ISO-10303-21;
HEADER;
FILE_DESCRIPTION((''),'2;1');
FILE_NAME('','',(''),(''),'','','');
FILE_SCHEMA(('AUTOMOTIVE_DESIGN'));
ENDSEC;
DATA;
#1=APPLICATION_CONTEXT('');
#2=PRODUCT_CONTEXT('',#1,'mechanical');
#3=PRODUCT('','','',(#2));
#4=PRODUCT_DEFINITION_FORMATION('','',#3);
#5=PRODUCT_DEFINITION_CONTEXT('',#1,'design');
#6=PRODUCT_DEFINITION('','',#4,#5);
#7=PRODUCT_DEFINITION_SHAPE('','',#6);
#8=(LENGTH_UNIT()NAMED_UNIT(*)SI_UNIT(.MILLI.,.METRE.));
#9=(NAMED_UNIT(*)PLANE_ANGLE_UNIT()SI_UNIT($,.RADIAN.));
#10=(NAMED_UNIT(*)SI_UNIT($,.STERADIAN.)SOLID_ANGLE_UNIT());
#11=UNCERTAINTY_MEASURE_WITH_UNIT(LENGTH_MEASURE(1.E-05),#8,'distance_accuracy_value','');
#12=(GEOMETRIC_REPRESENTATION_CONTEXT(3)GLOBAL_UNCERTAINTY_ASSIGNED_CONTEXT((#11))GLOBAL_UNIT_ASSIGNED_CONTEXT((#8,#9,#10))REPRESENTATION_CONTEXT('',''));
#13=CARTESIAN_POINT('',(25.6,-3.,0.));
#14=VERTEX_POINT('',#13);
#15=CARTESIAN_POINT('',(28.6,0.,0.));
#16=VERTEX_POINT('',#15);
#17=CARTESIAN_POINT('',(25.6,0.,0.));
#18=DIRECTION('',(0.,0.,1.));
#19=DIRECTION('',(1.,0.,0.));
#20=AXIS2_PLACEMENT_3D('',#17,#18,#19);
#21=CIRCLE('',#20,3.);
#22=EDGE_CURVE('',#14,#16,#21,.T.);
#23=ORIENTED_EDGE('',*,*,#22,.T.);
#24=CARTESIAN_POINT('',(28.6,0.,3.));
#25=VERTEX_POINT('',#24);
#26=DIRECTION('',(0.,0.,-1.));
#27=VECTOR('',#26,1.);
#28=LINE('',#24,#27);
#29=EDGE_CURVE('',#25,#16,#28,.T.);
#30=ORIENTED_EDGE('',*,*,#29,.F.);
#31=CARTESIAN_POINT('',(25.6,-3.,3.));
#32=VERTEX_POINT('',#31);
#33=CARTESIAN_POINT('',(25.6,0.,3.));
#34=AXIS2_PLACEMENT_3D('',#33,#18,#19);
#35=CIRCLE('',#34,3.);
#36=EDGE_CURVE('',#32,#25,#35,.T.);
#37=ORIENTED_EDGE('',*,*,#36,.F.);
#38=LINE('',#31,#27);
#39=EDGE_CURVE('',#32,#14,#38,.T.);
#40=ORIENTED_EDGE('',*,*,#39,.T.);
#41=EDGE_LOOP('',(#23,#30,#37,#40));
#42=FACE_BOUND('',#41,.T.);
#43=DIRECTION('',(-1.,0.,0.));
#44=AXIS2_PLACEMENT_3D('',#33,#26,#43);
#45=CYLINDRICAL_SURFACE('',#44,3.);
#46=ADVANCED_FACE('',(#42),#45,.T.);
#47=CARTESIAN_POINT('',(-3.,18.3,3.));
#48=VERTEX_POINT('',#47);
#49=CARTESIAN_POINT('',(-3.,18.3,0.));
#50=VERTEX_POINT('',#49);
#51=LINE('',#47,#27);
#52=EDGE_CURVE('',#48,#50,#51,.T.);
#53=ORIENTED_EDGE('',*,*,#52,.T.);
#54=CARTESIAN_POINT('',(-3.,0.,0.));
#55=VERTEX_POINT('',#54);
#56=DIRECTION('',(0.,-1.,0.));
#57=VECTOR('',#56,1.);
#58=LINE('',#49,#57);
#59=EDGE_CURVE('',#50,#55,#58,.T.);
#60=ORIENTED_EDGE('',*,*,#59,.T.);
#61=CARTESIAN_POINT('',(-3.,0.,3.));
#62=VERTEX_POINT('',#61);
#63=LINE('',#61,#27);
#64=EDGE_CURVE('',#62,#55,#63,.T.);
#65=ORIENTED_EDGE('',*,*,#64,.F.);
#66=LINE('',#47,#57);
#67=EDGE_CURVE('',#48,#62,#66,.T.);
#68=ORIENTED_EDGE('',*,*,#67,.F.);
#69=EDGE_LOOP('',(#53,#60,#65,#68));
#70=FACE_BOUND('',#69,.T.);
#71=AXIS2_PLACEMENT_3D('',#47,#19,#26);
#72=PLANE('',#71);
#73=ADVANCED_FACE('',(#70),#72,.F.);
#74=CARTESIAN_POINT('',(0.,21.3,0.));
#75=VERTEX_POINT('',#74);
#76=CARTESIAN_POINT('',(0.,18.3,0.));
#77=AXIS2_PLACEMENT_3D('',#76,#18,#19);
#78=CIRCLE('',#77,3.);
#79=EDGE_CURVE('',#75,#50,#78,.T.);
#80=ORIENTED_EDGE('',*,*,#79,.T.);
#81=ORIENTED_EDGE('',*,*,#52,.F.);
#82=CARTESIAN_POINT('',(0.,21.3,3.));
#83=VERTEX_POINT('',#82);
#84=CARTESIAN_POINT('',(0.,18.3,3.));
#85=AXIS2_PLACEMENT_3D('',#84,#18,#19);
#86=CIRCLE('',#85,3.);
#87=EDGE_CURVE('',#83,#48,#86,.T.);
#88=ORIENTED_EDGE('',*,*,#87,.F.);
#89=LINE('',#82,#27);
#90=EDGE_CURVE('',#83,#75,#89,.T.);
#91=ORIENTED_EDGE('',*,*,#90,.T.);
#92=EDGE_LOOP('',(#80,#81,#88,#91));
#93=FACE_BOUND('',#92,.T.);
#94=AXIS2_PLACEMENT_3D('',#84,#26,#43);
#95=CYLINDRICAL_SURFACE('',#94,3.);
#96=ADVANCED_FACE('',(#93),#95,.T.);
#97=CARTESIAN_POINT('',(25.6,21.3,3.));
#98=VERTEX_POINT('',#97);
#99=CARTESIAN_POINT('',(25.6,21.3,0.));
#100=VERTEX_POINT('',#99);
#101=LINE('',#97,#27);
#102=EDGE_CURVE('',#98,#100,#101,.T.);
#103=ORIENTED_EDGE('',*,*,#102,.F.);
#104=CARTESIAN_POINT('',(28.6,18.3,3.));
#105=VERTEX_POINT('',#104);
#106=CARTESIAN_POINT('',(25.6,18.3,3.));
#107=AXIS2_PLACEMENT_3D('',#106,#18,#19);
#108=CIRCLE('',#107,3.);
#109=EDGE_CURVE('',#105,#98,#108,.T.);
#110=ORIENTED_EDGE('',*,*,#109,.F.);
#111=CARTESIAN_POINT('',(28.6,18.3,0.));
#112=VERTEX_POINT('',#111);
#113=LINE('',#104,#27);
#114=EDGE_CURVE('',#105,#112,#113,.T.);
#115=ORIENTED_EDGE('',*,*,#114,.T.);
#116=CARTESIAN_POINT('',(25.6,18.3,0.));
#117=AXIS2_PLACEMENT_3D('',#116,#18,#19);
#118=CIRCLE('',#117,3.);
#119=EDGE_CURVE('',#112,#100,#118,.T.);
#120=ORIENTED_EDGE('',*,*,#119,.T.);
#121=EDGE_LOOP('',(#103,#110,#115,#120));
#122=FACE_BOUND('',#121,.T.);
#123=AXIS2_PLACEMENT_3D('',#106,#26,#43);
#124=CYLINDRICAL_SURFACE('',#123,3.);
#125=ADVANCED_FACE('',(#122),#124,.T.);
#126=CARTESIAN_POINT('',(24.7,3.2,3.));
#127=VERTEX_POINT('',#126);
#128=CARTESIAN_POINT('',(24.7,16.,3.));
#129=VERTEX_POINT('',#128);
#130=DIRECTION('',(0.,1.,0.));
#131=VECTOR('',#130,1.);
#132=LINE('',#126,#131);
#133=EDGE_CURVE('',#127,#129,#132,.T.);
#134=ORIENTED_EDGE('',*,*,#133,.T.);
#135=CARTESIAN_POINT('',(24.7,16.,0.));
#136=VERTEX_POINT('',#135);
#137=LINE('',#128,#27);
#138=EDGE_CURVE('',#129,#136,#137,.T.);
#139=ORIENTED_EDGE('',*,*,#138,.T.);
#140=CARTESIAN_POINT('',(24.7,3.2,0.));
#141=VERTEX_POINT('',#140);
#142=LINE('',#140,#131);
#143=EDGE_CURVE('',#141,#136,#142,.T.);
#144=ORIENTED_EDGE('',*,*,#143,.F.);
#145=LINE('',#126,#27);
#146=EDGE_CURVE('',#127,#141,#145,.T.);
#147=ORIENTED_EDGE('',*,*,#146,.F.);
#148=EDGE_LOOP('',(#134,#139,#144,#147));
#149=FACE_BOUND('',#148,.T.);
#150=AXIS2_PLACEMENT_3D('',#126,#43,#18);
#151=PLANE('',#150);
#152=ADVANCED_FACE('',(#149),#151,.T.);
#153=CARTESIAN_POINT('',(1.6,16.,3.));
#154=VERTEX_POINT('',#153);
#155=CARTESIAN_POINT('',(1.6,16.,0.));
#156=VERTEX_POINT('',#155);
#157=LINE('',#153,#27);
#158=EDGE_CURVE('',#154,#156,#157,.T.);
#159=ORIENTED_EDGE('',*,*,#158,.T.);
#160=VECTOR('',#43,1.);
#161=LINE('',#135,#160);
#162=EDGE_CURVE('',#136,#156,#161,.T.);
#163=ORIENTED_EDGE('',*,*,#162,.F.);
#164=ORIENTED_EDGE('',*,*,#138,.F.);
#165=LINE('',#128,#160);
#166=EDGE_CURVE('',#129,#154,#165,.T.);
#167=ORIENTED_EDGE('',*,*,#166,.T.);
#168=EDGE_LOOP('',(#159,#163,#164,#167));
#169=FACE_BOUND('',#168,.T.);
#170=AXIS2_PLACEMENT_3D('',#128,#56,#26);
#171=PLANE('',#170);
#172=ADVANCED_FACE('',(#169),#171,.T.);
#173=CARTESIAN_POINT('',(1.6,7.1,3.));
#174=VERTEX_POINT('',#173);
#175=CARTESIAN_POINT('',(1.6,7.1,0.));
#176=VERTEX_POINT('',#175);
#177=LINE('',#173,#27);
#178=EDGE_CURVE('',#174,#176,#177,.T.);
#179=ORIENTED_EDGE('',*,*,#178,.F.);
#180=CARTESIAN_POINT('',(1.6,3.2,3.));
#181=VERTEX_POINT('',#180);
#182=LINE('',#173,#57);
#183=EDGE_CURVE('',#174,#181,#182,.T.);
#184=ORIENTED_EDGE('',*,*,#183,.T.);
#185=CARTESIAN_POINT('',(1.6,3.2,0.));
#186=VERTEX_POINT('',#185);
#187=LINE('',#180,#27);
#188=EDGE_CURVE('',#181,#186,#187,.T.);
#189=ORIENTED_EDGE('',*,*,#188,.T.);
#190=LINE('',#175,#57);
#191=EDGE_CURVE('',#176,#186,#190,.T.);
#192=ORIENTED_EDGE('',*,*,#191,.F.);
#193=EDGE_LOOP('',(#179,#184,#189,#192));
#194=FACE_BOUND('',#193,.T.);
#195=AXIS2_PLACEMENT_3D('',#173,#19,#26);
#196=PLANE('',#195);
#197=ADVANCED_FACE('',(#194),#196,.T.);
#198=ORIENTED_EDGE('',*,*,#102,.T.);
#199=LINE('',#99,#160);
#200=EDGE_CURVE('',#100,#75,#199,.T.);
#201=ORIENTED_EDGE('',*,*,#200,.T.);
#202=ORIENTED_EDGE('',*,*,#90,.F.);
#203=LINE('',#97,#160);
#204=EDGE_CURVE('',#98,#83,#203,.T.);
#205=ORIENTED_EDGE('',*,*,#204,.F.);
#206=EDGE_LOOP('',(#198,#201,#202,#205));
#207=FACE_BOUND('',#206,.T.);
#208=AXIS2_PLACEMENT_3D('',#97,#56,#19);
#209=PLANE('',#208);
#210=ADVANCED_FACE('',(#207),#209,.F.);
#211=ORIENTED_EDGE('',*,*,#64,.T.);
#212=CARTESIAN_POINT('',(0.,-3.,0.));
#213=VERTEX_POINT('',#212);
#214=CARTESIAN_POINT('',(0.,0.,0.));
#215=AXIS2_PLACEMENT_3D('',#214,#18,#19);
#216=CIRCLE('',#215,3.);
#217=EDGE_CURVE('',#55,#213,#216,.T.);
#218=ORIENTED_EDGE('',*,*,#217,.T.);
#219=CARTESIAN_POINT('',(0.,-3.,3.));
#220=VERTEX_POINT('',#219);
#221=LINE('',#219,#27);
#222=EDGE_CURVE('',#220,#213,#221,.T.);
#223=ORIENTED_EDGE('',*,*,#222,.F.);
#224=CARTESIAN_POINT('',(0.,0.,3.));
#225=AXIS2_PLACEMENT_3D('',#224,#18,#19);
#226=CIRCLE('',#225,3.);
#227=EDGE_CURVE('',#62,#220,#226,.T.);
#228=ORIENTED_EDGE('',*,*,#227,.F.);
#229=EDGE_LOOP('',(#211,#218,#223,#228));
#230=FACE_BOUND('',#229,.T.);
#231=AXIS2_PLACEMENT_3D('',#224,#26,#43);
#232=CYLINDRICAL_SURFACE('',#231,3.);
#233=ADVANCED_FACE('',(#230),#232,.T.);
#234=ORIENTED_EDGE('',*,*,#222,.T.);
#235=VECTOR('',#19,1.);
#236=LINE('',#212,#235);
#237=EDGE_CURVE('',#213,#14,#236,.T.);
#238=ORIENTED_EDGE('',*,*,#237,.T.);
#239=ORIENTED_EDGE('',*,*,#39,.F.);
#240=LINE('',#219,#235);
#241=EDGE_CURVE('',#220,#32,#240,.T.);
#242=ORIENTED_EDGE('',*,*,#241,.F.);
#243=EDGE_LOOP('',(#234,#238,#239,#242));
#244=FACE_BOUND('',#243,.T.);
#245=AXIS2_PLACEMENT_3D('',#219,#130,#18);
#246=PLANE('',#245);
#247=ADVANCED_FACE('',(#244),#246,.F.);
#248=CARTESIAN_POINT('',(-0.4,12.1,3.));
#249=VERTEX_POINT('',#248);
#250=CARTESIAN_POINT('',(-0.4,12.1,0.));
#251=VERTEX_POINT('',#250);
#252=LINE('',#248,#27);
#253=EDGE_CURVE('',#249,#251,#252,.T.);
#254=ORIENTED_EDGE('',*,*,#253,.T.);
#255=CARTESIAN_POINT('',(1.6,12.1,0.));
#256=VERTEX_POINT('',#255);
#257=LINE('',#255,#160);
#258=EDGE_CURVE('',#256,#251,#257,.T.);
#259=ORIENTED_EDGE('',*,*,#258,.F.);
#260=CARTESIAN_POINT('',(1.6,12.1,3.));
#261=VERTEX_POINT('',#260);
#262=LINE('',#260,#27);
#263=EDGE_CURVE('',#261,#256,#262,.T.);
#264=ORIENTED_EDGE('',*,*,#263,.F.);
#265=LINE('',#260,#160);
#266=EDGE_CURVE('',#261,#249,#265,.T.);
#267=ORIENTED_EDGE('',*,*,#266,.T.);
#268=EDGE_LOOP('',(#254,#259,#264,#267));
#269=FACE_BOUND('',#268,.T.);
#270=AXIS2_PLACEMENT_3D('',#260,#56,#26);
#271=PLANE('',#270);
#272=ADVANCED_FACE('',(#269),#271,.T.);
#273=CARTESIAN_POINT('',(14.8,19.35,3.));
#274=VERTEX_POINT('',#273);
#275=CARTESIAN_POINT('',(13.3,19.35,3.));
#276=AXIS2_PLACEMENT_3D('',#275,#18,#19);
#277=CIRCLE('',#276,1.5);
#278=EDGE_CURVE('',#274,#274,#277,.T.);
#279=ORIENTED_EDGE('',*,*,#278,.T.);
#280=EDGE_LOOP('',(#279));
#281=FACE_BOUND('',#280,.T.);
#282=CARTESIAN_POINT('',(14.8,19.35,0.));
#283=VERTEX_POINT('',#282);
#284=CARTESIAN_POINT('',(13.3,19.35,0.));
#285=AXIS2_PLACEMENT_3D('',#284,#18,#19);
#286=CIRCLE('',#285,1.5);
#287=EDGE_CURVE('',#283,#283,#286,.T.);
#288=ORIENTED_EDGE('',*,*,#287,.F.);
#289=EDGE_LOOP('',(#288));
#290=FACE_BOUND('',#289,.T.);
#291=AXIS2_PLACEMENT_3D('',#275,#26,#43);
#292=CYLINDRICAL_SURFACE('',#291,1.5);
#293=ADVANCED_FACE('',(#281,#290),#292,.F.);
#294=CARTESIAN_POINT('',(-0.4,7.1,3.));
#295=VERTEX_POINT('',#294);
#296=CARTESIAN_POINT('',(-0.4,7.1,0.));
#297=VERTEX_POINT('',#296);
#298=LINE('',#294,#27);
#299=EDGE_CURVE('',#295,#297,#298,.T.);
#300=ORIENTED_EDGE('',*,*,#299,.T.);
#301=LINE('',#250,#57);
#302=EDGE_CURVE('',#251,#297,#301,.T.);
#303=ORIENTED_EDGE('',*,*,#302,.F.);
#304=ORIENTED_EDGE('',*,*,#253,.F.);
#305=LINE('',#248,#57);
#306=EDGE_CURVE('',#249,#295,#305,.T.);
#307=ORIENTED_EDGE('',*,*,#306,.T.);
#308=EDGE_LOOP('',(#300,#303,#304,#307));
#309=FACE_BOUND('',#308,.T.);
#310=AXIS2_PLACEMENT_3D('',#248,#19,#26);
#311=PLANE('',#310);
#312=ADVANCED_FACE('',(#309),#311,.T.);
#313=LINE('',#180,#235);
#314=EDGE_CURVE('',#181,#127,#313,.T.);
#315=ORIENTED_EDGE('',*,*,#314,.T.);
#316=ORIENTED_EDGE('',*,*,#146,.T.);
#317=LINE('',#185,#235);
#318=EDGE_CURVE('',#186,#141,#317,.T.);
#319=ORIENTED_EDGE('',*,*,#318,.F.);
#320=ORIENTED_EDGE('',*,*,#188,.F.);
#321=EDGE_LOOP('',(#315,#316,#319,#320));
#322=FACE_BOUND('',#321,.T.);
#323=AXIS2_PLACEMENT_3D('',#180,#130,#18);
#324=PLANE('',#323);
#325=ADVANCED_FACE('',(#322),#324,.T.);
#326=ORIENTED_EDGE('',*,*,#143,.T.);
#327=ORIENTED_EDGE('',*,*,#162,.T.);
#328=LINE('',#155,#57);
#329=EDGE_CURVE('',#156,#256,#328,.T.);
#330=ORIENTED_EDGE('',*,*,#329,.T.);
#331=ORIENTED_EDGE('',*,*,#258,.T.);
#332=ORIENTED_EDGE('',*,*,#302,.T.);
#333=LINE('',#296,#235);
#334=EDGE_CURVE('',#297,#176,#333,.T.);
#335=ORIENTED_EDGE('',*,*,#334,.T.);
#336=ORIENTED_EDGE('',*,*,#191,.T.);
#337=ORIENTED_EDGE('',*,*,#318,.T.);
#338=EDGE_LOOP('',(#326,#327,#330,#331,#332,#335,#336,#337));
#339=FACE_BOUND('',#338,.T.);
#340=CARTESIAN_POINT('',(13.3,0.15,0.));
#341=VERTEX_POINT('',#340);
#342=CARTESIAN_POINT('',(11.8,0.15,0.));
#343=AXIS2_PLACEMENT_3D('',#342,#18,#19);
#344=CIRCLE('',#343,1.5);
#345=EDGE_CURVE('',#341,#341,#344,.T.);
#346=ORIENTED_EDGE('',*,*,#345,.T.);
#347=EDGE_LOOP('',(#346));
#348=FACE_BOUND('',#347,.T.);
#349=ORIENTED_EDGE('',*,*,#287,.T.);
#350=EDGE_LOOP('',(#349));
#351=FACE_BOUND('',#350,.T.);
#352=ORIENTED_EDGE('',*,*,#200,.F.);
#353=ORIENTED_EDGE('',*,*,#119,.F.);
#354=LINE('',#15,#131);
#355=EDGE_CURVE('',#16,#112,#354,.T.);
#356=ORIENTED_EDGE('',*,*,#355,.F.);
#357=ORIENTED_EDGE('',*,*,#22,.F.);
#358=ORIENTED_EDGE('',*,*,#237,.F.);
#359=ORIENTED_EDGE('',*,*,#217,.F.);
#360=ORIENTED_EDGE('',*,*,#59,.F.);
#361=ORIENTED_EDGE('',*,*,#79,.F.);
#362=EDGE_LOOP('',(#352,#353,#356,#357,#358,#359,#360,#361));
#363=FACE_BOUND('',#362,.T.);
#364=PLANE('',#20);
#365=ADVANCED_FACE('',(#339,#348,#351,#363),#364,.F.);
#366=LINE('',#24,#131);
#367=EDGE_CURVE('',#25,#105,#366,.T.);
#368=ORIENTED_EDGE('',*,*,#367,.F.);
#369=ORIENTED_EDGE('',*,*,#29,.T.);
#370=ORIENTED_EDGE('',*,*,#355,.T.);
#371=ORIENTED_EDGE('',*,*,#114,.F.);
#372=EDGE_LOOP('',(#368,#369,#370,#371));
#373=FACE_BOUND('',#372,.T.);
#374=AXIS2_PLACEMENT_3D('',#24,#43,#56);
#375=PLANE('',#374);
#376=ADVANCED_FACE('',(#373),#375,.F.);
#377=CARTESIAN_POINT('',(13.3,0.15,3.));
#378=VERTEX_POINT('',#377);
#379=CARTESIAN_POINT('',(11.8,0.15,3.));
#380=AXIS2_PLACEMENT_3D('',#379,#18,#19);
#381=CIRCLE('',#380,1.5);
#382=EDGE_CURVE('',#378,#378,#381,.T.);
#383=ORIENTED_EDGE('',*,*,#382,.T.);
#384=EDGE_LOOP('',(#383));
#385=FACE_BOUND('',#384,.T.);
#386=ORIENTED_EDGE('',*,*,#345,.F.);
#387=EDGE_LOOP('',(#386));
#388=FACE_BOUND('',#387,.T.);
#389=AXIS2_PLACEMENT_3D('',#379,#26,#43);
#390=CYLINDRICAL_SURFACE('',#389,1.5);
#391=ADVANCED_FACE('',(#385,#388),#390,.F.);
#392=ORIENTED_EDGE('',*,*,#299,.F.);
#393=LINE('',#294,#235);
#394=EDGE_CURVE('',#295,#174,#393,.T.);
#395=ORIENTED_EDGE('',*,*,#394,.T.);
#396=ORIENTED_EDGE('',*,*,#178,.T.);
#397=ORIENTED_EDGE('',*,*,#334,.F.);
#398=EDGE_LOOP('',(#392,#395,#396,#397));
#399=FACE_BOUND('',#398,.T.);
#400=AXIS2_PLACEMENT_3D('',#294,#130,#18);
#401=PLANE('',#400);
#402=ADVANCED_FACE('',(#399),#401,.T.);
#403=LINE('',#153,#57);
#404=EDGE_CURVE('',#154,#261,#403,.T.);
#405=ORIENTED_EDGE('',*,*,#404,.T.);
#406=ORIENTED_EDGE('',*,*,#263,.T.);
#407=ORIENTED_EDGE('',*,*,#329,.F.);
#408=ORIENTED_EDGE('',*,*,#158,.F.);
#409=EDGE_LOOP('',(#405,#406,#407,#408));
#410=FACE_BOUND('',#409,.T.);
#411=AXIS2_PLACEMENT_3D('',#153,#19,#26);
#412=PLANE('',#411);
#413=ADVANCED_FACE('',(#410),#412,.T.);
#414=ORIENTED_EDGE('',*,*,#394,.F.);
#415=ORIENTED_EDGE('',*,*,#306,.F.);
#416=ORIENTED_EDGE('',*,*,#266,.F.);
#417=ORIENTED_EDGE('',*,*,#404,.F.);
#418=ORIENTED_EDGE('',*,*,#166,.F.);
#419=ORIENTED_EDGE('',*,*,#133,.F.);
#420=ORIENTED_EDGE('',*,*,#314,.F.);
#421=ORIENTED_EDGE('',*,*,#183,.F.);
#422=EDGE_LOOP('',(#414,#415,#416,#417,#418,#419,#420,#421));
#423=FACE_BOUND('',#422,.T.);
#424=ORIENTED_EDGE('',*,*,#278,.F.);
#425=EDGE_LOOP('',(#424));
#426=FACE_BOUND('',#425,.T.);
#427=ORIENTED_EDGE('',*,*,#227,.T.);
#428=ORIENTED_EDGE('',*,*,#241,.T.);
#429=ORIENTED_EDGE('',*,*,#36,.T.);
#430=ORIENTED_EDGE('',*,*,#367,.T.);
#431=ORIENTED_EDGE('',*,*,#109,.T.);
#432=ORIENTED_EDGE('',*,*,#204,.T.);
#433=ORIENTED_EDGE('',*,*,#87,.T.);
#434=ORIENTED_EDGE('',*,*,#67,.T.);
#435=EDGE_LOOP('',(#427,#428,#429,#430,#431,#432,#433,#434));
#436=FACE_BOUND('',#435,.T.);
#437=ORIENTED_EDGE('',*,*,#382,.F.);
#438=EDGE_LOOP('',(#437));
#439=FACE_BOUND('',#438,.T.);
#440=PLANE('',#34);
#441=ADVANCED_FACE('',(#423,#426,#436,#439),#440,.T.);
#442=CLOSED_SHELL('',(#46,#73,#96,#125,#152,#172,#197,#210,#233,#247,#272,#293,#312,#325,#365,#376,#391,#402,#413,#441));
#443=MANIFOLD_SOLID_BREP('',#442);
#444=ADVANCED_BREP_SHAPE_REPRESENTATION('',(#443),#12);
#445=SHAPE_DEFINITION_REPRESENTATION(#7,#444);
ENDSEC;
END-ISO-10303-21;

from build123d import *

# Parameters (mm, degrees)
SKETCH1_R           = 1.5
BOSS_EXTRUDE1_DEPTH = 3


with BuildPart() as part:
    # Sketch1 → Boss-Extrude1 (new body)
    with BuildSketch(Plane.XY):
        with BuildLine():
            Line((28.6, 0), (28.6, 18.3))
            ThreePointArc((28.6, 18.3), (27.721320344, 20.421320344), (25.6, 21.3))
            Line((25.6, 21.3), (0, 21.3))
            ThreePointArc((0, 21.3), (-2.121320344, 20.421320344), (-3, 18.3))
            Line((-3, 18.3), (-3, 0))
            ThreePointArc((-3, 0), (-2.121320344, -2.121320344), (0, -3))
            Line((0, -3), (25.6, -3))
            ThreePointArc((25.6, -3), (27.721320344, -2.121320344), (28.6, 0))
        make_face()
        with Locations((11.8, 0.15)):
            Circle(SKETCH1_R, mode=Mode.SUBTRACT)
        with Locations((13.3, 19.35)):
            Circle(SKETCH1_R, mode=Mode.SUBTRACT)
        Polygon((24.7, 3.2), (24.7, 16), (1.6, 16), (1.6, 12.1), (-0.4, 12.1), (-0.4, 7.1), (1.6, 7.1), (1.6, 3.2), align=None, mode=Mode.SUBTRACT)
    extrude(amount=BOSS_EXTRUDE1_DEPTH)


solid = part.part
